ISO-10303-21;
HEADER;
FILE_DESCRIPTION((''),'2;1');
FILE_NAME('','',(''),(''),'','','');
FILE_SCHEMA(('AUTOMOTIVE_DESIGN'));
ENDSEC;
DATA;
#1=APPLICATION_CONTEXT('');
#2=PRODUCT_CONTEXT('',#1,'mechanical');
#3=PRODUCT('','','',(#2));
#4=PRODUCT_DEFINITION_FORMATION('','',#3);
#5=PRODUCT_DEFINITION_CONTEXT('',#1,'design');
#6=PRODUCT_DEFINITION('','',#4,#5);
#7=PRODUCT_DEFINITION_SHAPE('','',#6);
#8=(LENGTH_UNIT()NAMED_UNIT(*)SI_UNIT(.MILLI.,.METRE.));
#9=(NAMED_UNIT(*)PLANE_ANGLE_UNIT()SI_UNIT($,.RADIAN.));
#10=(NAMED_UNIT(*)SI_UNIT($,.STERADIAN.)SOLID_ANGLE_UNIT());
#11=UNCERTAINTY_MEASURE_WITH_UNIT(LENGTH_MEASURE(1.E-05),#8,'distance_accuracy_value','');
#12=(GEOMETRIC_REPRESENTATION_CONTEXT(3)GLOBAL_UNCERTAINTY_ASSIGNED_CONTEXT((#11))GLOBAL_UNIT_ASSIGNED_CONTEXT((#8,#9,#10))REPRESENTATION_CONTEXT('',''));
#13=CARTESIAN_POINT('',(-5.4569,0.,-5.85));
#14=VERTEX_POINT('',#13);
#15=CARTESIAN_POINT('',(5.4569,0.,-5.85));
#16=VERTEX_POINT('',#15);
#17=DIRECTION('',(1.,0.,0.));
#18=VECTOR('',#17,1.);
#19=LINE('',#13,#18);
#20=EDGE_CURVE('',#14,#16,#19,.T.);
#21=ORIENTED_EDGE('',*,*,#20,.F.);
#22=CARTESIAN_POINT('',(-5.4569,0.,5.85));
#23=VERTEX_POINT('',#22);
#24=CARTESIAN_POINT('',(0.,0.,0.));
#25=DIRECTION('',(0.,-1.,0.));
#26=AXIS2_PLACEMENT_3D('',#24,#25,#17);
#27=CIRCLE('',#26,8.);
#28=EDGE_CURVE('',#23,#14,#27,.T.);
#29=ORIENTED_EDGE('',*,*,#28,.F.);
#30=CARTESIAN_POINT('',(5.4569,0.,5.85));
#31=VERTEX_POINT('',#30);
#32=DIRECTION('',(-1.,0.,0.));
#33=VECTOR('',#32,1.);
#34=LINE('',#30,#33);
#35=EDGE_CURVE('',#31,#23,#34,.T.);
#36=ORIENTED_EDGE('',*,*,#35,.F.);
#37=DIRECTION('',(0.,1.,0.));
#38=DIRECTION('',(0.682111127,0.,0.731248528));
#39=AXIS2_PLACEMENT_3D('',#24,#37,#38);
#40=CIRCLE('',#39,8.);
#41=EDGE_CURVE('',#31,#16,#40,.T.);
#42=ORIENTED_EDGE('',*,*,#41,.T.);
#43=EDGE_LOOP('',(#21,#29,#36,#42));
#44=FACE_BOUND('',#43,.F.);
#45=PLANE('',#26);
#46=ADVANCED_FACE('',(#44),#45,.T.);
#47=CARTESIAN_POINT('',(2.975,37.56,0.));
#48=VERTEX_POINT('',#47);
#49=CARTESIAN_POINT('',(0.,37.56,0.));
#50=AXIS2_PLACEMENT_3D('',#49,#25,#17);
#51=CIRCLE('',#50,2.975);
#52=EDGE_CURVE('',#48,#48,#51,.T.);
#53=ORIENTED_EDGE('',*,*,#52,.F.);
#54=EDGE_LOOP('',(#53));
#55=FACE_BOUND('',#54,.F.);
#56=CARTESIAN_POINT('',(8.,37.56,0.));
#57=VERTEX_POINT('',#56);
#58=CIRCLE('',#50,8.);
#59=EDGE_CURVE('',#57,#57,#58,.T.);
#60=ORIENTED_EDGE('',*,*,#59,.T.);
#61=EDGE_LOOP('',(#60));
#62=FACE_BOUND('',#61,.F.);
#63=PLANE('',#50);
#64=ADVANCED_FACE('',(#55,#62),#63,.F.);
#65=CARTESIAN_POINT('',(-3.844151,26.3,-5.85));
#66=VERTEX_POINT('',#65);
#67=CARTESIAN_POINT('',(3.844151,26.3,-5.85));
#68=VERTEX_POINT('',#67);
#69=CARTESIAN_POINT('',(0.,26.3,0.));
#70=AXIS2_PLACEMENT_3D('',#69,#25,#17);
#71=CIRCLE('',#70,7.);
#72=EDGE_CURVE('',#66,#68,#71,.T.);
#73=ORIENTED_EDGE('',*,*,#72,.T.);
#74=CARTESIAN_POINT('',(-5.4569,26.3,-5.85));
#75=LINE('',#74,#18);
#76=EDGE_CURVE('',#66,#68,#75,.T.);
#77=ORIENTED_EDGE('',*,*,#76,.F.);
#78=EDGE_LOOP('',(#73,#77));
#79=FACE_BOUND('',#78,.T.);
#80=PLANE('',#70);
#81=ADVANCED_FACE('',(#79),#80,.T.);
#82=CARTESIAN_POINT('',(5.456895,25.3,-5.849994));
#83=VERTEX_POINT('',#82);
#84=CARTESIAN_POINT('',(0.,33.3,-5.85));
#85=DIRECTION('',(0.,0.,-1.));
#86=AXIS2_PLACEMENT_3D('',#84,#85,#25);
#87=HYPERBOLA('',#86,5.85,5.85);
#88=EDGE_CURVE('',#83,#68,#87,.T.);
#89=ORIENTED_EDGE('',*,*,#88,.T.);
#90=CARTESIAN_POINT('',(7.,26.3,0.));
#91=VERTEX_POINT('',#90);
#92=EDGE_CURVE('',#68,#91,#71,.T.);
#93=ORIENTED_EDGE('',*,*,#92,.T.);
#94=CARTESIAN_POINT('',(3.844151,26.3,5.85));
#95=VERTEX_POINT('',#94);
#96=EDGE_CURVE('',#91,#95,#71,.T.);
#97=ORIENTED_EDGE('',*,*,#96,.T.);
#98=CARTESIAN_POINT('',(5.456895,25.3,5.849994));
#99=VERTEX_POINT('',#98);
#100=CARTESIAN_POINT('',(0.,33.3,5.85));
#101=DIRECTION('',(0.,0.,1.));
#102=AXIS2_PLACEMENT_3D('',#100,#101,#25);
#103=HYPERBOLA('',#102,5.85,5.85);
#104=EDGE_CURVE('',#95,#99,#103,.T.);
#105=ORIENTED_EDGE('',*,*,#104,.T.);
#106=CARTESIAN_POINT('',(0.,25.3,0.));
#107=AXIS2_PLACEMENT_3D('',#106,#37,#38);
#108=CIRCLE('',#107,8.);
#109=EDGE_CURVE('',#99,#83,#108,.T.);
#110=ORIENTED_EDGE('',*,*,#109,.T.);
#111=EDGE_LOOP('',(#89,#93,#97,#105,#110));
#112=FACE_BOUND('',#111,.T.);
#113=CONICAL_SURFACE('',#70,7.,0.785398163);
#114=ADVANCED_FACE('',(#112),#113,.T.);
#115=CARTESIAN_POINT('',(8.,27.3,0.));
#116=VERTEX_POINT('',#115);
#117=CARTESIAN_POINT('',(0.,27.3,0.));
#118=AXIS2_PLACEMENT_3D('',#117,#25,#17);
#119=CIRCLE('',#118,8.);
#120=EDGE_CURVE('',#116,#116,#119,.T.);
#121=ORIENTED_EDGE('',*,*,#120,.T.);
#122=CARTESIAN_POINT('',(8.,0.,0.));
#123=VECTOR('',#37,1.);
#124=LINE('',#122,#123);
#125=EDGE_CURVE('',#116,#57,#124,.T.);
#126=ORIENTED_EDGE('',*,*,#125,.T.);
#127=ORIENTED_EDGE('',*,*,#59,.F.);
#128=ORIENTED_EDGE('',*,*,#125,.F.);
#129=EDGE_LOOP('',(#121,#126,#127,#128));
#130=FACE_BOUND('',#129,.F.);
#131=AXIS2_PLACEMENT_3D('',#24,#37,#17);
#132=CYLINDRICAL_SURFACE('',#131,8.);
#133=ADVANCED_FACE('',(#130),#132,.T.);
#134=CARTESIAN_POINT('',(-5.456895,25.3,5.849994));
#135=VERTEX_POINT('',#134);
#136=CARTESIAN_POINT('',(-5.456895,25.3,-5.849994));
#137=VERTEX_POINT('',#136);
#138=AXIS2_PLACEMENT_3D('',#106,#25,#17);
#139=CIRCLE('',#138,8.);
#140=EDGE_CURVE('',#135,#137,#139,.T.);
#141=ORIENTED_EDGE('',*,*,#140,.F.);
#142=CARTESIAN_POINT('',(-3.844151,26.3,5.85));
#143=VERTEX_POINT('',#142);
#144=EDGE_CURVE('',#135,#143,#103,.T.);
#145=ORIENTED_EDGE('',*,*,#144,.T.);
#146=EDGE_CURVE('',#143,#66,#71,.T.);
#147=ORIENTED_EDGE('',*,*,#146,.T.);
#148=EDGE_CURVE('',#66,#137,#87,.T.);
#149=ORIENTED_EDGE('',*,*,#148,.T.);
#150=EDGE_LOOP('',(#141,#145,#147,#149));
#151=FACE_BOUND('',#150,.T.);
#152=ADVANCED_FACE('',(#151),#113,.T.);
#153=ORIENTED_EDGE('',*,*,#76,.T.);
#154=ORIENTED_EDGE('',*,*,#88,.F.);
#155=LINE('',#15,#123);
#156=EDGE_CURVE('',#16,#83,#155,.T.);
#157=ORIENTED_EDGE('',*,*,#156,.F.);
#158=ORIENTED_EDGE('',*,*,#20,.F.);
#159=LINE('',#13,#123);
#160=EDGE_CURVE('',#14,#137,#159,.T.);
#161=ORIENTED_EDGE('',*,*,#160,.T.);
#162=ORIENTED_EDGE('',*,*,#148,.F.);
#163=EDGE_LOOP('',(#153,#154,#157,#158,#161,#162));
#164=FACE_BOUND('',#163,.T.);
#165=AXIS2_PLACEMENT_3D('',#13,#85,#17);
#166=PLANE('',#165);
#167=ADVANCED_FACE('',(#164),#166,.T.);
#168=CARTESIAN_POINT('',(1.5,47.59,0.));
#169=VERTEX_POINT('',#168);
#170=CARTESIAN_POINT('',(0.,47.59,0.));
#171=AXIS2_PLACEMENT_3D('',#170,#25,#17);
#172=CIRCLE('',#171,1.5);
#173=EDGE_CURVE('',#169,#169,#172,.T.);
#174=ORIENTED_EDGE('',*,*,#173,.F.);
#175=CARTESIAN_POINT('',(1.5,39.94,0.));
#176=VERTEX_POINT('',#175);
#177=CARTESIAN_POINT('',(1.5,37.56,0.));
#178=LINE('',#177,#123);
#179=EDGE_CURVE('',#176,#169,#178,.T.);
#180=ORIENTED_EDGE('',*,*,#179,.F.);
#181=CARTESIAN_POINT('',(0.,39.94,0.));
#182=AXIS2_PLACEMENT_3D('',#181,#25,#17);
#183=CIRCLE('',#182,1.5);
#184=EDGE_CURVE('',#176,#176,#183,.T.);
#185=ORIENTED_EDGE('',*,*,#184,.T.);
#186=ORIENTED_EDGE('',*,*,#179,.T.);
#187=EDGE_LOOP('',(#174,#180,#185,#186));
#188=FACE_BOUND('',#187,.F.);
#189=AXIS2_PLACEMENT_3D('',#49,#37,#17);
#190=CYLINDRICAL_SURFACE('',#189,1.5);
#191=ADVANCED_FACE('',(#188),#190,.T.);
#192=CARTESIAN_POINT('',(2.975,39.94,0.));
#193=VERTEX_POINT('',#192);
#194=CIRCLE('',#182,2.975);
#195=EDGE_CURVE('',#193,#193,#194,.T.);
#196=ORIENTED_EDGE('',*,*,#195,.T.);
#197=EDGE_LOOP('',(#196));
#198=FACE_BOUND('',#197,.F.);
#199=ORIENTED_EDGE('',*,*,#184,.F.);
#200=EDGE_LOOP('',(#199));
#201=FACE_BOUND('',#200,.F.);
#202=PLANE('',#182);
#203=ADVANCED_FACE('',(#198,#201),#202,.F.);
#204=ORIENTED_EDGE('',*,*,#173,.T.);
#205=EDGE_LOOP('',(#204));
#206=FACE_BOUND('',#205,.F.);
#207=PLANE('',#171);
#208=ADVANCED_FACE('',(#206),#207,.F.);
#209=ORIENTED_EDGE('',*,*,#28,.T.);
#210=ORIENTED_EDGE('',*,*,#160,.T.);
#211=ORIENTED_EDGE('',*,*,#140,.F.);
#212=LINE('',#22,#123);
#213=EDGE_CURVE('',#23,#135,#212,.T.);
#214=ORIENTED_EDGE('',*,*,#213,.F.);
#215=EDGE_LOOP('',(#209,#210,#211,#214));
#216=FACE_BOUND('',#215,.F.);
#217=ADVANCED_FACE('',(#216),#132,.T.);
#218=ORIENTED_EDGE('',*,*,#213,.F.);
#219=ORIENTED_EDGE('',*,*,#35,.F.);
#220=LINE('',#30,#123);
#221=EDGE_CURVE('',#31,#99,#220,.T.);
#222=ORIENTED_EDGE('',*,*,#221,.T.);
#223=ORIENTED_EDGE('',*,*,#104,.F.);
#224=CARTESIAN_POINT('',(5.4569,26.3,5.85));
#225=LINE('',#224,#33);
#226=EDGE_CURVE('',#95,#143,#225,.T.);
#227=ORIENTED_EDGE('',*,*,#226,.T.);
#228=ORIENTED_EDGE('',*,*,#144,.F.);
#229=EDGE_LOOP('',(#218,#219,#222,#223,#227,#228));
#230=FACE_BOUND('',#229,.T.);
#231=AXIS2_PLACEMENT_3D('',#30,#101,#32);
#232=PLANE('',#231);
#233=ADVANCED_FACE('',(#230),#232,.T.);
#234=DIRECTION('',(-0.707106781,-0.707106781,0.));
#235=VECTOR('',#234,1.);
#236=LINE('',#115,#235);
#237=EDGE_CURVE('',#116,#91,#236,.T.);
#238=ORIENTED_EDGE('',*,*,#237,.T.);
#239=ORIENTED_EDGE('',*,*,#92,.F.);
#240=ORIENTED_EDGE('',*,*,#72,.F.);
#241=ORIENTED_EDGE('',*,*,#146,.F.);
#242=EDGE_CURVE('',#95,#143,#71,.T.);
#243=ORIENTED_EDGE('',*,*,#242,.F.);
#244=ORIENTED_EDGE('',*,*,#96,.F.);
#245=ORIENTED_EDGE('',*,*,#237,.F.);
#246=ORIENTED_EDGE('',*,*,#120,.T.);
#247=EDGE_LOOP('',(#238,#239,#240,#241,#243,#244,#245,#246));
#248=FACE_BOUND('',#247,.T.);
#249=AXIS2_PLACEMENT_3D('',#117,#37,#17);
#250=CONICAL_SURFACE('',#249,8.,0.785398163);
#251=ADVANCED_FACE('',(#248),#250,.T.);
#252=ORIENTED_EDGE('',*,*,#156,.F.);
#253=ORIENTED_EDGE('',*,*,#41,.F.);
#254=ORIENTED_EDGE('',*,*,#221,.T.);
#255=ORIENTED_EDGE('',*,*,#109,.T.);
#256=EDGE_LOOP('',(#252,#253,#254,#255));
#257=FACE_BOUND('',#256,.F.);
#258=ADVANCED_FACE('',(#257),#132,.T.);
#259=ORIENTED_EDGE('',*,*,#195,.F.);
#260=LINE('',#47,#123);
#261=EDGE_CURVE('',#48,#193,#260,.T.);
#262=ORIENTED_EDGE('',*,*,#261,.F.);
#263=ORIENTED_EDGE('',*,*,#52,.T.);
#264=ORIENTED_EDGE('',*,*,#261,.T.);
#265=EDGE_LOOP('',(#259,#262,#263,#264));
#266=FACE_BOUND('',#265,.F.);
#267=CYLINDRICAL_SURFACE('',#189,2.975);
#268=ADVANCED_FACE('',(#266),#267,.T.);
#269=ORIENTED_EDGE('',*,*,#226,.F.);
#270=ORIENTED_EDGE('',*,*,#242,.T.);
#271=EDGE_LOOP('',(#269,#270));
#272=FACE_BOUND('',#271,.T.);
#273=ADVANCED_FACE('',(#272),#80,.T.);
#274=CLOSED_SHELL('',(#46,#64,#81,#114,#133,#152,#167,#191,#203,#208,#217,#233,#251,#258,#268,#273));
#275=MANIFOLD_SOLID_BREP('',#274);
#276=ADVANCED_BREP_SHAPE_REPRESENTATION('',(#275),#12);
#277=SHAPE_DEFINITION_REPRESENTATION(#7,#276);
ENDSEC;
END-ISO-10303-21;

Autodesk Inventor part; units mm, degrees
ref_plane "YZ Plane" through (0, 0, 0) normal (1, 0, 0) x (0, 1, 0)
ref_plane "XZ Plane" through (0, 0, 0) normal (0, 1, 0) x (-1, 0, 0)
ref_plane "XY Plane" through (0, 0, 0) normal (0, 0, 1) x (1, 0, 0)
sketch "Sketch6" plane through (0, 0, 0) normal (0, 0, 1) x (1, 0, 0)
  line L0 (0, 0) -> (8, 0)
  line L1 (8, 0) -> (8, 37.56)
  line L2 (8, 37.56) -> (0, 37.56)
  line L3 (0, 37.56) -> (0, 0)
  line L4 (0, 37.56) -> (1.5, 37.56)
  line L5 (1.5, 37.56) -> (1.5, 47.59)
  line L6 (1.5, 47.59) -> (0, 47.59)
  line L7 (0, 47.59) -> (0, 37.56)
  line L8 (8, 27.3) -> (7, 26.3)
  line L9 (7, 26.3) -> (8, 25.3)
  line L10 (1.5, 37.56) -> (2.975, 37.56)
  line L11 (2.975, 37.56) -> (2.975, 39.94)
  line L12 (2.975, 39.94) -> (1.5, 39.94)
  line L13 (1.5, 39.94) -> (1.5, 37.56)
  dimension "d31" = 16
  dimension "d32" = 3
  dimension "d35" = 1
  dimension "d36" = 11.26
  dimension "d38" = 26.3
  dimension "d39" = 2.38
  dimension "d40" = 5.95
  dimension "d41" = 7.65
revolve "Revolution2" add sketch "Sketch6" angle 360 about axis through (0, 37.56, 0) along (0, -1, 0) contours L3 L2 L1 L8 L9 L0 | L7 L6 L5 L2 | L5 L12 L11 L2
sketch "Sketch7" plane through (0, 0, 0) normal (0, -1, 0) x (1, 0, 0)
  line L0 (-5.4569, 8) -> (5.4569, 8)
  line L1 (5.4569, 8) -> (5.4569, 5.85)
  line L2 (5.4569, 5.85) -> (-5.4569, 5.85)
  line L3 (-5.4569, 5.85) -> (-5.4569, 8)
  line L4 (5.4569, -8) -> (-5.4569, -8)
  line L5 (-5.4569, -8) -> (-5.4569, -5.85)
  line L6 (-5.4569, -5.85) -> (5.4569, -5.85)
  line L7 (5.4569, -5.85) -> (5.4569, -8)
  circle A0 centre (0, 0) radius 8 projected
  dimension "d42" = 11.7
extrude "Extrusion5" cut sketch "Sketch7" against normal blind 26.3 contours L0 A0 L3 | L0 L1 A0 | A0 L2 | L6 A0
properties part number "Motor"
